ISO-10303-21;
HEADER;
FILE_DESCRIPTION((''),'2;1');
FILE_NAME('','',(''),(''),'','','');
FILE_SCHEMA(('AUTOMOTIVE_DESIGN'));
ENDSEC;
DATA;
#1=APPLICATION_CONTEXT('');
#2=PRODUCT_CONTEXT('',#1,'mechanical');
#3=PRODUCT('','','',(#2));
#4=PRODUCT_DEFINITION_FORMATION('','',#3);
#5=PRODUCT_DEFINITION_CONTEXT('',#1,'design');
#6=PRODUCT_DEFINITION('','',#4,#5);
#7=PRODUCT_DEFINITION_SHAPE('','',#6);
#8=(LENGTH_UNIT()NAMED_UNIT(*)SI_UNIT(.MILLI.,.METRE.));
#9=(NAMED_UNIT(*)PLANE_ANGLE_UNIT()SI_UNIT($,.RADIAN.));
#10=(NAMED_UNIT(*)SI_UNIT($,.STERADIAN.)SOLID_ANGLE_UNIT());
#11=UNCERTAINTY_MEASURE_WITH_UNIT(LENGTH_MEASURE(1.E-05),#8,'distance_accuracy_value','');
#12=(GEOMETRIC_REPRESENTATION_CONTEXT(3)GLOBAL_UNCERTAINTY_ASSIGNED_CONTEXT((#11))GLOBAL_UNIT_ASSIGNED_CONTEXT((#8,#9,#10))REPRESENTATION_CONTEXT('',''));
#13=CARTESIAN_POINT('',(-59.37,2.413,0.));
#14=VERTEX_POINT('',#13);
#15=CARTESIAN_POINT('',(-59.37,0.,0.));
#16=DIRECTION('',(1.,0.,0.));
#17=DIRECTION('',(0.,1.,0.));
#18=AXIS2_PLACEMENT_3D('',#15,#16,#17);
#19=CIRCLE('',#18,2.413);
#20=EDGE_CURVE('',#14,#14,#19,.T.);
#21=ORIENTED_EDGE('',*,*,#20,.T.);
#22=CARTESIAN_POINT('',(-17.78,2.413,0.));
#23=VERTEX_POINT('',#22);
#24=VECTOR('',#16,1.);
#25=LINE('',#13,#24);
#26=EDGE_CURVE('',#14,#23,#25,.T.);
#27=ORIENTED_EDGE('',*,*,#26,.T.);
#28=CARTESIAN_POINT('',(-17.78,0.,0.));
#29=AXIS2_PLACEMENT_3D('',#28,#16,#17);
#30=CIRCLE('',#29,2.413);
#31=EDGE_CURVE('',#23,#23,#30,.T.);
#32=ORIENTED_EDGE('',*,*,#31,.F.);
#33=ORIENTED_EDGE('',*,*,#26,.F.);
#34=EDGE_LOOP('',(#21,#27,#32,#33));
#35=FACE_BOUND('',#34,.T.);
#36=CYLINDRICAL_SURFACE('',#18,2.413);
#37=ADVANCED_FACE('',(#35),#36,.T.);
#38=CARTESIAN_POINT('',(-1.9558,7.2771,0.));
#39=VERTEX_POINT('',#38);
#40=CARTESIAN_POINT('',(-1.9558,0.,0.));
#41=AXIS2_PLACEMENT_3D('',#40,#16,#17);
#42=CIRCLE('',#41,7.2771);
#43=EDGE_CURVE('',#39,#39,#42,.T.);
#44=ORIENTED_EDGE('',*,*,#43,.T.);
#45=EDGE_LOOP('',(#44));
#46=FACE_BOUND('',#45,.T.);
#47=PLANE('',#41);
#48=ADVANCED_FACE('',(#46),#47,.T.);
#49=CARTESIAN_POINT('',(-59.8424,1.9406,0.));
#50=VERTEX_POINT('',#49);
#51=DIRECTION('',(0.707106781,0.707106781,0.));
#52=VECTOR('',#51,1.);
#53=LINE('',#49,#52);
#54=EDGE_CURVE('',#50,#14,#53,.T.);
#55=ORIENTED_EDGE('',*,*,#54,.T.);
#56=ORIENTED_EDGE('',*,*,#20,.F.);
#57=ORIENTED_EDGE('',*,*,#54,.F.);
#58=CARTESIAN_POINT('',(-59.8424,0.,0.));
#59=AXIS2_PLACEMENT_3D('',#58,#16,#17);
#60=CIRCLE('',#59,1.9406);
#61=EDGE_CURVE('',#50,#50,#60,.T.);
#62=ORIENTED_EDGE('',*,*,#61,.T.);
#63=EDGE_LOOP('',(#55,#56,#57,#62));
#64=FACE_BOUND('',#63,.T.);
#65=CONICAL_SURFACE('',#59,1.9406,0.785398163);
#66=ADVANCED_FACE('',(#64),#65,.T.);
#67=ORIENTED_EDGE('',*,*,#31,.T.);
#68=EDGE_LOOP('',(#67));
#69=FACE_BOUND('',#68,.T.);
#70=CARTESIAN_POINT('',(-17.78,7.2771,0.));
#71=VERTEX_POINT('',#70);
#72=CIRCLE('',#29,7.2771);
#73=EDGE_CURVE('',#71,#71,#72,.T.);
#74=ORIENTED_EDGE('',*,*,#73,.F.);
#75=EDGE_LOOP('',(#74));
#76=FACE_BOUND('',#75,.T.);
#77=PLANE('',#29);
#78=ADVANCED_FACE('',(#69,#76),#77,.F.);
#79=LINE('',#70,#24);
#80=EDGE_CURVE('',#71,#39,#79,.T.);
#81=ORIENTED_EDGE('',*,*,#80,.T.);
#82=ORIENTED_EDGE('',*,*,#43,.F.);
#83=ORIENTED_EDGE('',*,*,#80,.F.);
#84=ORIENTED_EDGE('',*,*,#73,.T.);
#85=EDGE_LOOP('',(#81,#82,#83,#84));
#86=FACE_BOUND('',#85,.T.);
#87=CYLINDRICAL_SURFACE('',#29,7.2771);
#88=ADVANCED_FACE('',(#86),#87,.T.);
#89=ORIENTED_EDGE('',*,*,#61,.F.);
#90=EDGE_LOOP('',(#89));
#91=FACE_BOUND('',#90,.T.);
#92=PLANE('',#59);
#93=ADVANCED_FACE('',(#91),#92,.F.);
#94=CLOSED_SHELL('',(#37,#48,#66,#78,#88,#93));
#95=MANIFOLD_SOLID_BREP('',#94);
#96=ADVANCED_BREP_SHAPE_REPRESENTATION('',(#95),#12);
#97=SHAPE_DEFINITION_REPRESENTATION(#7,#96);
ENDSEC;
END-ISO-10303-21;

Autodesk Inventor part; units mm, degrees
sketch "Sketch_5" plane through (0, 0, 0) normal (0, 0, 1) x (1, 0, 0)
  line L0 (-9.525, 0) -> (-59.8424, 0)
  line L1 (-59.8424, 0) -> (-59.8424, 1.9406)
  line L2 (-59.8424, 1.9406) -> (-59.37, 2.413)
  line L3 (-59.37, 2.413) -> (-9.525, 2.413)
  line L4 (-9.525, 2.413) -> (-9.525, 0)
  line L5 (-9.525, 0) -> (-59.8424, 0)
revolve "Revolution1" add sketch "Sketch_5" angle 360 about axis through (-9.525, 0, 0) along (1, 0, 0)
sketch "Sketch_14" plane through (0, 0, 0) normal (0, 0, 1) x (1, 0, 0)
  line L0 (-1.9558, 0) -> (-17.78, 0)
  line L1 (-17.78, 0) -> (-17.78, 7.2771)
  line L2 (-17.78, 7.2771) -> (-1.9558, 7.2771)
  line L3 (-1.9558, 7.2771) -> (-1.9558, 0)
  line L4 (-1.9558, 0) -> (-17.78, 0)
revolve "Revolution2" add sketch "Sketch_14" angle 360 about axis through (-1.9558, 0, 0) along (1, 0, 0)
ref_plane "h1_XY" through (-59.8424, 0, 0) normal (0, 1, 0) x (1, 0, 0)
ref_plane "h1_YZ" through (-59.8424, 0, 0) normal (1, 0, 0) x (0, 0, -1)
ref_plane "h1_ZX" through (-59.8424, 0, 0) normal (0, 0, -1) x (0, 1, 0)
ref_plane "h2_XY" through (-59.8424, 0, 0) normal (0, 1, 0) x (1, 0, 0)
ref_plane "h2_YZ" through (-59.8424, 0, 0) normal (1, 0, 0) x (0, 0, -1)
ref_plane "h2_ZX" through (-59.8424, 0, 0) normal (0, 0, -1) x (0, 1, 0)
ref_plane "k1_XY" through (-59.8424, 0, -2.413) normal (0, 1, 0) x (1, 0, 0)
ref_plane "k1_YZ" through (-59.8424, 0, -2.413) normal (1, 0, 0) x (0, 0, -1)
ref_plane "k1_ZX" through (-59.8424, 0, -2.413) normal (0, 0, -1) x (0, 1, 0)
ref_plane "k2_XY" through (-59.8424, 0, 2.413) normal (0, 1, 0) x (1, 0, 0)
ref_plane "k2_YZ" through (-59.8424, 0, 2.413) normal (1, 0, 0) x (0, 0, -1)
ref_plane "k2_ZX" through (-59.8424, 0, 2.413) normal (0, 0, -1) x (0, 1, 0)
ref_plane "start_XY" through (-47.1424, 0, 0) normal (0, 1, 0) x (1, 0, 0)
ref_plane "start_YZ" through (-47.1424, 0, 0) normal (1, 0, 0) x (0, 0, -1)
ref_plane "start_ZX" through (-47.1424, 0, 0) normal (0, 0, -1) x (0, 1, 0)
ref_plane "to_prc_XY" through (-59.8424, 0, 0) normal (1, 0, 0) x (0, 0, -1)
ref_plane "to_prc_YZ" through (-59.8424, 0, 0) normal (0, 0, -1) x (0, 1, 0)
ref_plane "to_prc_ZX" through (-59.8424, 0, 0) normal (0, 1, 0) x (1, 0, 0)
ref_plane "to_rod_guide_XY" through (-59.8424, 0, 0) normal (1, 0, 0) x (0, 0, -1)
ref_plane "to_rod_guide_YZ" through (-59.8424, 0, 0) normal (0, 0, -1) x (0, 1, 0)
ref_plane "to_rod_guide_ZX" through (-59.8424, 0, 0) normal (0, 1, 0) x (1, 0, 0)
properties part number "D-95380.5-0.011XP-2.356-3pos"
